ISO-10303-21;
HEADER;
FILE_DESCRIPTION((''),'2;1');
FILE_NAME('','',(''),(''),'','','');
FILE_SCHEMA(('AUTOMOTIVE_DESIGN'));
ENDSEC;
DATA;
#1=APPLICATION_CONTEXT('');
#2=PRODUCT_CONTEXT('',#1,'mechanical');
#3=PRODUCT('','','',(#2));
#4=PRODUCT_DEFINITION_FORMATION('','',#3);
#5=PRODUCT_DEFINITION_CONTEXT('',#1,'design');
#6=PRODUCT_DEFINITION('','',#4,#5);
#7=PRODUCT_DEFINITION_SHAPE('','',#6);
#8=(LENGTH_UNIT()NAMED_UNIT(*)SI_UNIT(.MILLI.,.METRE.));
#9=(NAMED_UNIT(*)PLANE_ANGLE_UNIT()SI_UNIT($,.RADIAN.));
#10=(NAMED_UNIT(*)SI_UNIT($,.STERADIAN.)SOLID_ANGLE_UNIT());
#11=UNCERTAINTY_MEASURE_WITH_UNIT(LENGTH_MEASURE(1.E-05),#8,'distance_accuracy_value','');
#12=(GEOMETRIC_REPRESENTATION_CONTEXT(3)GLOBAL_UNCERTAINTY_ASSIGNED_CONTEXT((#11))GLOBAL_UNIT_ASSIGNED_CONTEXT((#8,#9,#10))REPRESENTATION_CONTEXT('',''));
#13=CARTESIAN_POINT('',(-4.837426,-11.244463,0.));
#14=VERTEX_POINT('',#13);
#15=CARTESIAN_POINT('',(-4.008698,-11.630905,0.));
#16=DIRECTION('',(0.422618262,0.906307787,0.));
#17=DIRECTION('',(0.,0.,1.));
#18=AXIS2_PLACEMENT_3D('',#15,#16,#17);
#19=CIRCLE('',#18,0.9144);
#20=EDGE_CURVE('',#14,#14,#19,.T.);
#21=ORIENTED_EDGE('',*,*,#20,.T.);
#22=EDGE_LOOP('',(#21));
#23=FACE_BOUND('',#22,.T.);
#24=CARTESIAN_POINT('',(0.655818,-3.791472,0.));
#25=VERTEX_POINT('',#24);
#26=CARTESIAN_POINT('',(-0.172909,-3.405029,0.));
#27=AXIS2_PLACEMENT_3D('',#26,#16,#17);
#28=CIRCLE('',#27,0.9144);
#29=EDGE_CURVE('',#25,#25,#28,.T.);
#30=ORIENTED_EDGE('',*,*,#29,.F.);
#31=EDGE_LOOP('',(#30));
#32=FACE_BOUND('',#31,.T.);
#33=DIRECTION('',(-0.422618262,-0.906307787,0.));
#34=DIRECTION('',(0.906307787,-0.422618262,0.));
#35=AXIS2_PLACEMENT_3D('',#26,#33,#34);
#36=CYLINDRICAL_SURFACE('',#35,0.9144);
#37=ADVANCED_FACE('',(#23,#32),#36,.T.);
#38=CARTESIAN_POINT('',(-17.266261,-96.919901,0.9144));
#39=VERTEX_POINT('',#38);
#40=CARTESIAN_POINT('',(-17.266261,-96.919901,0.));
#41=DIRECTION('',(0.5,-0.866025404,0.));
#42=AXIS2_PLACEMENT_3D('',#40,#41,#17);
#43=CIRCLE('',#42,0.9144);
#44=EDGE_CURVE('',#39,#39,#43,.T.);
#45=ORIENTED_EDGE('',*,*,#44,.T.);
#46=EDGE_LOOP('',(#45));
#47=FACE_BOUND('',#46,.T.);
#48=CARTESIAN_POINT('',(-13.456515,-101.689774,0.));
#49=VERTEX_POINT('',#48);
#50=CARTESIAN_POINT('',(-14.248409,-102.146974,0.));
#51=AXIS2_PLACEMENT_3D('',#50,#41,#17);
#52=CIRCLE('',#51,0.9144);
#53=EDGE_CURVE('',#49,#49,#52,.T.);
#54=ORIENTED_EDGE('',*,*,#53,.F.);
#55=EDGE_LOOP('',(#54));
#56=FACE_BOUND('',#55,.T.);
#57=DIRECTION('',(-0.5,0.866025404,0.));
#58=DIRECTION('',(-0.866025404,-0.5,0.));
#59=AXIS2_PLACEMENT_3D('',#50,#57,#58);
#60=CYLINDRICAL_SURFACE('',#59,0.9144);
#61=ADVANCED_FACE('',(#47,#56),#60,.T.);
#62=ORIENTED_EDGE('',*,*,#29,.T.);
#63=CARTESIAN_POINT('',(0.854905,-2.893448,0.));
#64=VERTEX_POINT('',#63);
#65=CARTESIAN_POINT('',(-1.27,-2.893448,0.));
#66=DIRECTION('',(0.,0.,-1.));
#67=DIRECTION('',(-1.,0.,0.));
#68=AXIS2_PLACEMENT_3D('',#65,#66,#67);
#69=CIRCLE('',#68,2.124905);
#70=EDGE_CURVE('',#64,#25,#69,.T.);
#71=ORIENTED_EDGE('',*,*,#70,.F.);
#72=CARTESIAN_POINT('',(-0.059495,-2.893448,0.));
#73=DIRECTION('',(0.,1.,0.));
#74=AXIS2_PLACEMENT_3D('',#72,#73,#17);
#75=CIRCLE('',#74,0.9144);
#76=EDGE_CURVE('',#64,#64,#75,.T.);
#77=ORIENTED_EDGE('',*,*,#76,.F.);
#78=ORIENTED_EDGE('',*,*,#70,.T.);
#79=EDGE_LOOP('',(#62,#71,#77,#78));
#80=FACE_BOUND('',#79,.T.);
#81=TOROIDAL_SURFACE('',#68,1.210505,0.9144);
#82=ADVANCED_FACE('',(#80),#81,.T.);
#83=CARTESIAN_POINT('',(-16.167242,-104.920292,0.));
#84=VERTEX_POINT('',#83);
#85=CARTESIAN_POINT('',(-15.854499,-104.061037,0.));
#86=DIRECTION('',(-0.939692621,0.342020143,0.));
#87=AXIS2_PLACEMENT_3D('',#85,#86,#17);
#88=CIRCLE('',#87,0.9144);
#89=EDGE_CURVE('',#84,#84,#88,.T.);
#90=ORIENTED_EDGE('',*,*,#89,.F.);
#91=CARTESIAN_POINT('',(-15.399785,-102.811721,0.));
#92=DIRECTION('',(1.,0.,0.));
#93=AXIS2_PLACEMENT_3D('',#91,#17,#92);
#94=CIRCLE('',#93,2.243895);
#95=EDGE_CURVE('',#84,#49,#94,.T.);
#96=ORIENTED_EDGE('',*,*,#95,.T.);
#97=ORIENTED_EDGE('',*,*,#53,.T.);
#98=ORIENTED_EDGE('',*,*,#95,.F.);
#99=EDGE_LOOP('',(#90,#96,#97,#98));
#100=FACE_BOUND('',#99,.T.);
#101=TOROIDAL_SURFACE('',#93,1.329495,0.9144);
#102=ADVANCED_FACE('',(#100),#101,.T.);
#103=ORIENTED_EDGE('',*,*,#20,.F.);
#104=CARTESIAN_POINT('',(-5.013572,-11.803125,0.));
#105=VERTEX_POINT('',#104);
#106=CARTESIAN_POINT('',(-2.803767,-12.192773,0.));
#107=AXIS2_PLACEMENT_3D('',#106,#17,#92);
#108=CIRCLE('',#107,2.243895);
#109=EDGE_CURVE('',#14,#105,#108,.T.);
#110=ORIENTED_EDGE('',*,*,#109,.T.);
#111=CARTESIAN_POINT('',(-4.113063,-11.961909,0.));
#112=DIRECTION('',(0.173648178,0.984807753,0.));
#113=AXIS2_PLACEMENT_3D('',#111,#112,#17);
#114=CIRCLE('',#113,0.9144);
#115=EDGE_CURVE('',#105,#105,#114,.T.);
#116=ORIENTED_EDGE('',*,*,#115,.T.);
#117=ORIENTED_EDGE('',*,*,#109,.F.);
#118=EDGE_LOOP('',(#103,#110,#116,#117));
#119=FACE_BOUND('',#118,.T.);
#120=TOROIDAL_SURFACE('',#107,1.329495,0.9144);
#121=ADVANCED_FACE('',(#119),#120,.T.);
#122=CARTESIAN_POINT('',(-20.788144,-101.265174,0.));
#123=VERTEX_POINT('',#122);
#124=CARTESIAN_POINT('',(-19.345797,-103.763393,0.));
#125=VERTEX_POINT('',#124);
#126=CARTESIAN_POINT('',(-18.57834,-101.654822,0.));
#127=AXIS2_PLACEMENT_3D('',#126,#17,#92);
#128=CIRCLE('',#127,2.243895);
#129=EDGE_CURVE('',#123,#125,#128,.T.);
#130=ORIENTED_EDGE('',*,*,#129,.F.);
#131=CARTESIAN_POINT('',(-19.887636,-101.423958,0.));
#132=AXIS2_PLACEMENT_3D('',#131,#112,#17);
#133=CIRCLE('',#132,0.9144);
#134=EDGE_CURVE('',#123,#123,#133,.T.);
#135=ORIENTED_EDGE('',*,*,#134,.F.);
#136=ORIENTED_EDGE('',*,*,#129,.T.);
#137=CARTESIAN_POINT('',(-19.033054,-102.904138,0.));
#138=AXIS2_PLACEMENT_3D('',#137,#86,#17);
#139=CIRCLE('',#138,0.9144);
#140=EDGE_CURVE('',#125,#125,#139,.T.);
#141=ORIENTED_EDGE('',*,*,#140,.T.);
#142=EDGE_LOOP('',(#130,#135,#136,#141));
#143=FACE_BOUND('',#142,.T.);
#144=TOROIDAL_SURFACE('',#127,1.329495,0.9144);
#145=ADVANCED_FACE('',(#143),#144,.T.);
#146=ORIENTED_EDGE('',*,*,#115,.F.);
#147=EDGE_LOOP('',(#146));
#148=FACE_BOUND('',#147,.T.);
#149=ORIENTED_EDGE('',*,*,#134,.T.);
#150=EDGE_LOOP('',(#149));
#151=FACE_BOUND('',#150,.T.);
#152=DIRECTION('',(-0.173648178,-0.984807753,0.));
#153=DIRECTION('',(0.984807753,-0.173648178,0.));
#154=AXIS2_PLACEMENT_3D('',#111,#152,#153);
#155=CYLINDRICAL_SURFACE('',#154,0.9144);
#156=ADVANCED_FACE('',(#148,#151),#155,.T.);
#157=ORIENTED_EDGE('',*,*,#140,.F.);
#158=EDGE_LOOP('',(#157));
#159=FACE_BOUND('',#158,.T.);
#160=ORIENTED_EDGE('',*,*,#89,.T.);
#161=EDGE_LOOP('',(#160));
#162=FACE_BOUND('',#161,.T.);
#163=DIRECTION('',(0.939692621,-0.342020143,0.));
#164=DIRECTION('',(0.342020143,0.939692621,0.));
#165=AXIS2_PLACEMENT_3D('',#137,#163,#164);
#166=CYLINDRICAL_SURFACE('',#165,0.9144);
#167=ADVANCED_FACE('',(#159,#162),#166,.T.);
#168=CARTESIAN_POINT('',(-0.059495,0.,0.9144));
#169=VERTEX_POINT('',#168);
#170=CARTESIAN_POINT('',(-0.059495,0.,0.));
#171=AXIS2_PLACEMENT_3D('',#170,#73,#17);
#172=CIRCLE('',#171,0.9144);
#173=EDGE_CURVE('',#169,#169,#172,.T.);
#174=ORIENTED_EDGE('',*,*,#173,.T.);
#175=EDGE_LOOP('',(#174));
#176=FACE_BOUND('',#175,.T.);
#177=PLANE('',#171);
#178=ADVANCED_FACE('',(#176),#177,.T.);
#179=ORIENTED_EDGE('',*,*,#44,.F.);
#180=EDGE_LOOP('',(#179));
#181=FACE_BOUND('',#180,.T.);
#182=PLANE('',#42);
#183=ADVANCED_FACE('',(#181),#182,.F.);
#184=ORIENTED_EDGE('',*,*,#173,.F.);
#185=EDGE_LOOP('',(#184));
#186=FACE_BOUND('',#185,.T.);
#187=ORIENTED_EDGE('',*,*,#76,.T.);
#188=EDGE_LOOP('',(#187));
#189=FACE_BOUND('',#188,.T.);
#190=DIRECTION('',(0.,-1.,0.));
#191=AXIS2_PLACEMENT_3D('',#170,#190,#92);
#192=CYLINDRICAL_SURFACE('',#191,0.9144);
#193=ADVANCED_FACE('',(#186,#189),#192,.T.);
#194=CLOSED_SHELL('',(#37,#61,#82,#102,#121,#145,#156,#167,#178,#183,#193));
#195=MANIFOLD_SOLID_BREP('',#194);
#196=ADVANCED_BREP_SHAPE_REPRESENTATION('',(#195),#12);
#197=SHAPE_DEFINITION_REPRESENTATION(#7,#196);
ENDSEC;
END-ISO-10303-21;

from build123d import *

# Parameters (mm, degrees)
SKETCH2_R = 0.9144


with BuildPart() as part:
    # Sweep3: sweep along a path in Sketch1
    with BuildLine(Plane.XY) as sweep3_path:
        Line((0, 0), (0, -2.893447778))
        ThreePointArc((0, -2.893447778), (-0.030104071, -3.168326088), (-0.11898911, -3.430172971))
        Line((-0.11898911, -3.430172971), (-3.954777731, -11.656048213))
        ThreePointArc((-3.954777731, -11.656048213), (-4.014987369, -11.81087704), (-4.054472688, -11.97224022))
        Line((-4.054472688, -11.97224022), (-19.829045587, -101.434288716))
        ThreePointArc((-19.829045587, -101.434288716), (-19.678192004, -102.289821901), (-19.012705323, -102.84823153))
        Line((-19.012705323, -102.84823153), (-15.83415073, -104.005130789))
        ThreePointArc((-15.83415073, -104.005130789), (-14.426908706, -103.628061425), (-14.299932886, -102.176721161))
        Line((-14.299932886, -102.176721161), (-17.317784724, -96.949648447))
    # Sketch2 → Sweep3 (sweep)
    with BuildSketch(Plane(origin=(0, 0, 0), x_dir=(1, 0, 0), z_dir=(0, 1, 0))):
        with Locations((-0.059494555, 0)):
            Circle(SKETCH2_R)
    sweep(path=sweep3_path.line)


solid = part.part
